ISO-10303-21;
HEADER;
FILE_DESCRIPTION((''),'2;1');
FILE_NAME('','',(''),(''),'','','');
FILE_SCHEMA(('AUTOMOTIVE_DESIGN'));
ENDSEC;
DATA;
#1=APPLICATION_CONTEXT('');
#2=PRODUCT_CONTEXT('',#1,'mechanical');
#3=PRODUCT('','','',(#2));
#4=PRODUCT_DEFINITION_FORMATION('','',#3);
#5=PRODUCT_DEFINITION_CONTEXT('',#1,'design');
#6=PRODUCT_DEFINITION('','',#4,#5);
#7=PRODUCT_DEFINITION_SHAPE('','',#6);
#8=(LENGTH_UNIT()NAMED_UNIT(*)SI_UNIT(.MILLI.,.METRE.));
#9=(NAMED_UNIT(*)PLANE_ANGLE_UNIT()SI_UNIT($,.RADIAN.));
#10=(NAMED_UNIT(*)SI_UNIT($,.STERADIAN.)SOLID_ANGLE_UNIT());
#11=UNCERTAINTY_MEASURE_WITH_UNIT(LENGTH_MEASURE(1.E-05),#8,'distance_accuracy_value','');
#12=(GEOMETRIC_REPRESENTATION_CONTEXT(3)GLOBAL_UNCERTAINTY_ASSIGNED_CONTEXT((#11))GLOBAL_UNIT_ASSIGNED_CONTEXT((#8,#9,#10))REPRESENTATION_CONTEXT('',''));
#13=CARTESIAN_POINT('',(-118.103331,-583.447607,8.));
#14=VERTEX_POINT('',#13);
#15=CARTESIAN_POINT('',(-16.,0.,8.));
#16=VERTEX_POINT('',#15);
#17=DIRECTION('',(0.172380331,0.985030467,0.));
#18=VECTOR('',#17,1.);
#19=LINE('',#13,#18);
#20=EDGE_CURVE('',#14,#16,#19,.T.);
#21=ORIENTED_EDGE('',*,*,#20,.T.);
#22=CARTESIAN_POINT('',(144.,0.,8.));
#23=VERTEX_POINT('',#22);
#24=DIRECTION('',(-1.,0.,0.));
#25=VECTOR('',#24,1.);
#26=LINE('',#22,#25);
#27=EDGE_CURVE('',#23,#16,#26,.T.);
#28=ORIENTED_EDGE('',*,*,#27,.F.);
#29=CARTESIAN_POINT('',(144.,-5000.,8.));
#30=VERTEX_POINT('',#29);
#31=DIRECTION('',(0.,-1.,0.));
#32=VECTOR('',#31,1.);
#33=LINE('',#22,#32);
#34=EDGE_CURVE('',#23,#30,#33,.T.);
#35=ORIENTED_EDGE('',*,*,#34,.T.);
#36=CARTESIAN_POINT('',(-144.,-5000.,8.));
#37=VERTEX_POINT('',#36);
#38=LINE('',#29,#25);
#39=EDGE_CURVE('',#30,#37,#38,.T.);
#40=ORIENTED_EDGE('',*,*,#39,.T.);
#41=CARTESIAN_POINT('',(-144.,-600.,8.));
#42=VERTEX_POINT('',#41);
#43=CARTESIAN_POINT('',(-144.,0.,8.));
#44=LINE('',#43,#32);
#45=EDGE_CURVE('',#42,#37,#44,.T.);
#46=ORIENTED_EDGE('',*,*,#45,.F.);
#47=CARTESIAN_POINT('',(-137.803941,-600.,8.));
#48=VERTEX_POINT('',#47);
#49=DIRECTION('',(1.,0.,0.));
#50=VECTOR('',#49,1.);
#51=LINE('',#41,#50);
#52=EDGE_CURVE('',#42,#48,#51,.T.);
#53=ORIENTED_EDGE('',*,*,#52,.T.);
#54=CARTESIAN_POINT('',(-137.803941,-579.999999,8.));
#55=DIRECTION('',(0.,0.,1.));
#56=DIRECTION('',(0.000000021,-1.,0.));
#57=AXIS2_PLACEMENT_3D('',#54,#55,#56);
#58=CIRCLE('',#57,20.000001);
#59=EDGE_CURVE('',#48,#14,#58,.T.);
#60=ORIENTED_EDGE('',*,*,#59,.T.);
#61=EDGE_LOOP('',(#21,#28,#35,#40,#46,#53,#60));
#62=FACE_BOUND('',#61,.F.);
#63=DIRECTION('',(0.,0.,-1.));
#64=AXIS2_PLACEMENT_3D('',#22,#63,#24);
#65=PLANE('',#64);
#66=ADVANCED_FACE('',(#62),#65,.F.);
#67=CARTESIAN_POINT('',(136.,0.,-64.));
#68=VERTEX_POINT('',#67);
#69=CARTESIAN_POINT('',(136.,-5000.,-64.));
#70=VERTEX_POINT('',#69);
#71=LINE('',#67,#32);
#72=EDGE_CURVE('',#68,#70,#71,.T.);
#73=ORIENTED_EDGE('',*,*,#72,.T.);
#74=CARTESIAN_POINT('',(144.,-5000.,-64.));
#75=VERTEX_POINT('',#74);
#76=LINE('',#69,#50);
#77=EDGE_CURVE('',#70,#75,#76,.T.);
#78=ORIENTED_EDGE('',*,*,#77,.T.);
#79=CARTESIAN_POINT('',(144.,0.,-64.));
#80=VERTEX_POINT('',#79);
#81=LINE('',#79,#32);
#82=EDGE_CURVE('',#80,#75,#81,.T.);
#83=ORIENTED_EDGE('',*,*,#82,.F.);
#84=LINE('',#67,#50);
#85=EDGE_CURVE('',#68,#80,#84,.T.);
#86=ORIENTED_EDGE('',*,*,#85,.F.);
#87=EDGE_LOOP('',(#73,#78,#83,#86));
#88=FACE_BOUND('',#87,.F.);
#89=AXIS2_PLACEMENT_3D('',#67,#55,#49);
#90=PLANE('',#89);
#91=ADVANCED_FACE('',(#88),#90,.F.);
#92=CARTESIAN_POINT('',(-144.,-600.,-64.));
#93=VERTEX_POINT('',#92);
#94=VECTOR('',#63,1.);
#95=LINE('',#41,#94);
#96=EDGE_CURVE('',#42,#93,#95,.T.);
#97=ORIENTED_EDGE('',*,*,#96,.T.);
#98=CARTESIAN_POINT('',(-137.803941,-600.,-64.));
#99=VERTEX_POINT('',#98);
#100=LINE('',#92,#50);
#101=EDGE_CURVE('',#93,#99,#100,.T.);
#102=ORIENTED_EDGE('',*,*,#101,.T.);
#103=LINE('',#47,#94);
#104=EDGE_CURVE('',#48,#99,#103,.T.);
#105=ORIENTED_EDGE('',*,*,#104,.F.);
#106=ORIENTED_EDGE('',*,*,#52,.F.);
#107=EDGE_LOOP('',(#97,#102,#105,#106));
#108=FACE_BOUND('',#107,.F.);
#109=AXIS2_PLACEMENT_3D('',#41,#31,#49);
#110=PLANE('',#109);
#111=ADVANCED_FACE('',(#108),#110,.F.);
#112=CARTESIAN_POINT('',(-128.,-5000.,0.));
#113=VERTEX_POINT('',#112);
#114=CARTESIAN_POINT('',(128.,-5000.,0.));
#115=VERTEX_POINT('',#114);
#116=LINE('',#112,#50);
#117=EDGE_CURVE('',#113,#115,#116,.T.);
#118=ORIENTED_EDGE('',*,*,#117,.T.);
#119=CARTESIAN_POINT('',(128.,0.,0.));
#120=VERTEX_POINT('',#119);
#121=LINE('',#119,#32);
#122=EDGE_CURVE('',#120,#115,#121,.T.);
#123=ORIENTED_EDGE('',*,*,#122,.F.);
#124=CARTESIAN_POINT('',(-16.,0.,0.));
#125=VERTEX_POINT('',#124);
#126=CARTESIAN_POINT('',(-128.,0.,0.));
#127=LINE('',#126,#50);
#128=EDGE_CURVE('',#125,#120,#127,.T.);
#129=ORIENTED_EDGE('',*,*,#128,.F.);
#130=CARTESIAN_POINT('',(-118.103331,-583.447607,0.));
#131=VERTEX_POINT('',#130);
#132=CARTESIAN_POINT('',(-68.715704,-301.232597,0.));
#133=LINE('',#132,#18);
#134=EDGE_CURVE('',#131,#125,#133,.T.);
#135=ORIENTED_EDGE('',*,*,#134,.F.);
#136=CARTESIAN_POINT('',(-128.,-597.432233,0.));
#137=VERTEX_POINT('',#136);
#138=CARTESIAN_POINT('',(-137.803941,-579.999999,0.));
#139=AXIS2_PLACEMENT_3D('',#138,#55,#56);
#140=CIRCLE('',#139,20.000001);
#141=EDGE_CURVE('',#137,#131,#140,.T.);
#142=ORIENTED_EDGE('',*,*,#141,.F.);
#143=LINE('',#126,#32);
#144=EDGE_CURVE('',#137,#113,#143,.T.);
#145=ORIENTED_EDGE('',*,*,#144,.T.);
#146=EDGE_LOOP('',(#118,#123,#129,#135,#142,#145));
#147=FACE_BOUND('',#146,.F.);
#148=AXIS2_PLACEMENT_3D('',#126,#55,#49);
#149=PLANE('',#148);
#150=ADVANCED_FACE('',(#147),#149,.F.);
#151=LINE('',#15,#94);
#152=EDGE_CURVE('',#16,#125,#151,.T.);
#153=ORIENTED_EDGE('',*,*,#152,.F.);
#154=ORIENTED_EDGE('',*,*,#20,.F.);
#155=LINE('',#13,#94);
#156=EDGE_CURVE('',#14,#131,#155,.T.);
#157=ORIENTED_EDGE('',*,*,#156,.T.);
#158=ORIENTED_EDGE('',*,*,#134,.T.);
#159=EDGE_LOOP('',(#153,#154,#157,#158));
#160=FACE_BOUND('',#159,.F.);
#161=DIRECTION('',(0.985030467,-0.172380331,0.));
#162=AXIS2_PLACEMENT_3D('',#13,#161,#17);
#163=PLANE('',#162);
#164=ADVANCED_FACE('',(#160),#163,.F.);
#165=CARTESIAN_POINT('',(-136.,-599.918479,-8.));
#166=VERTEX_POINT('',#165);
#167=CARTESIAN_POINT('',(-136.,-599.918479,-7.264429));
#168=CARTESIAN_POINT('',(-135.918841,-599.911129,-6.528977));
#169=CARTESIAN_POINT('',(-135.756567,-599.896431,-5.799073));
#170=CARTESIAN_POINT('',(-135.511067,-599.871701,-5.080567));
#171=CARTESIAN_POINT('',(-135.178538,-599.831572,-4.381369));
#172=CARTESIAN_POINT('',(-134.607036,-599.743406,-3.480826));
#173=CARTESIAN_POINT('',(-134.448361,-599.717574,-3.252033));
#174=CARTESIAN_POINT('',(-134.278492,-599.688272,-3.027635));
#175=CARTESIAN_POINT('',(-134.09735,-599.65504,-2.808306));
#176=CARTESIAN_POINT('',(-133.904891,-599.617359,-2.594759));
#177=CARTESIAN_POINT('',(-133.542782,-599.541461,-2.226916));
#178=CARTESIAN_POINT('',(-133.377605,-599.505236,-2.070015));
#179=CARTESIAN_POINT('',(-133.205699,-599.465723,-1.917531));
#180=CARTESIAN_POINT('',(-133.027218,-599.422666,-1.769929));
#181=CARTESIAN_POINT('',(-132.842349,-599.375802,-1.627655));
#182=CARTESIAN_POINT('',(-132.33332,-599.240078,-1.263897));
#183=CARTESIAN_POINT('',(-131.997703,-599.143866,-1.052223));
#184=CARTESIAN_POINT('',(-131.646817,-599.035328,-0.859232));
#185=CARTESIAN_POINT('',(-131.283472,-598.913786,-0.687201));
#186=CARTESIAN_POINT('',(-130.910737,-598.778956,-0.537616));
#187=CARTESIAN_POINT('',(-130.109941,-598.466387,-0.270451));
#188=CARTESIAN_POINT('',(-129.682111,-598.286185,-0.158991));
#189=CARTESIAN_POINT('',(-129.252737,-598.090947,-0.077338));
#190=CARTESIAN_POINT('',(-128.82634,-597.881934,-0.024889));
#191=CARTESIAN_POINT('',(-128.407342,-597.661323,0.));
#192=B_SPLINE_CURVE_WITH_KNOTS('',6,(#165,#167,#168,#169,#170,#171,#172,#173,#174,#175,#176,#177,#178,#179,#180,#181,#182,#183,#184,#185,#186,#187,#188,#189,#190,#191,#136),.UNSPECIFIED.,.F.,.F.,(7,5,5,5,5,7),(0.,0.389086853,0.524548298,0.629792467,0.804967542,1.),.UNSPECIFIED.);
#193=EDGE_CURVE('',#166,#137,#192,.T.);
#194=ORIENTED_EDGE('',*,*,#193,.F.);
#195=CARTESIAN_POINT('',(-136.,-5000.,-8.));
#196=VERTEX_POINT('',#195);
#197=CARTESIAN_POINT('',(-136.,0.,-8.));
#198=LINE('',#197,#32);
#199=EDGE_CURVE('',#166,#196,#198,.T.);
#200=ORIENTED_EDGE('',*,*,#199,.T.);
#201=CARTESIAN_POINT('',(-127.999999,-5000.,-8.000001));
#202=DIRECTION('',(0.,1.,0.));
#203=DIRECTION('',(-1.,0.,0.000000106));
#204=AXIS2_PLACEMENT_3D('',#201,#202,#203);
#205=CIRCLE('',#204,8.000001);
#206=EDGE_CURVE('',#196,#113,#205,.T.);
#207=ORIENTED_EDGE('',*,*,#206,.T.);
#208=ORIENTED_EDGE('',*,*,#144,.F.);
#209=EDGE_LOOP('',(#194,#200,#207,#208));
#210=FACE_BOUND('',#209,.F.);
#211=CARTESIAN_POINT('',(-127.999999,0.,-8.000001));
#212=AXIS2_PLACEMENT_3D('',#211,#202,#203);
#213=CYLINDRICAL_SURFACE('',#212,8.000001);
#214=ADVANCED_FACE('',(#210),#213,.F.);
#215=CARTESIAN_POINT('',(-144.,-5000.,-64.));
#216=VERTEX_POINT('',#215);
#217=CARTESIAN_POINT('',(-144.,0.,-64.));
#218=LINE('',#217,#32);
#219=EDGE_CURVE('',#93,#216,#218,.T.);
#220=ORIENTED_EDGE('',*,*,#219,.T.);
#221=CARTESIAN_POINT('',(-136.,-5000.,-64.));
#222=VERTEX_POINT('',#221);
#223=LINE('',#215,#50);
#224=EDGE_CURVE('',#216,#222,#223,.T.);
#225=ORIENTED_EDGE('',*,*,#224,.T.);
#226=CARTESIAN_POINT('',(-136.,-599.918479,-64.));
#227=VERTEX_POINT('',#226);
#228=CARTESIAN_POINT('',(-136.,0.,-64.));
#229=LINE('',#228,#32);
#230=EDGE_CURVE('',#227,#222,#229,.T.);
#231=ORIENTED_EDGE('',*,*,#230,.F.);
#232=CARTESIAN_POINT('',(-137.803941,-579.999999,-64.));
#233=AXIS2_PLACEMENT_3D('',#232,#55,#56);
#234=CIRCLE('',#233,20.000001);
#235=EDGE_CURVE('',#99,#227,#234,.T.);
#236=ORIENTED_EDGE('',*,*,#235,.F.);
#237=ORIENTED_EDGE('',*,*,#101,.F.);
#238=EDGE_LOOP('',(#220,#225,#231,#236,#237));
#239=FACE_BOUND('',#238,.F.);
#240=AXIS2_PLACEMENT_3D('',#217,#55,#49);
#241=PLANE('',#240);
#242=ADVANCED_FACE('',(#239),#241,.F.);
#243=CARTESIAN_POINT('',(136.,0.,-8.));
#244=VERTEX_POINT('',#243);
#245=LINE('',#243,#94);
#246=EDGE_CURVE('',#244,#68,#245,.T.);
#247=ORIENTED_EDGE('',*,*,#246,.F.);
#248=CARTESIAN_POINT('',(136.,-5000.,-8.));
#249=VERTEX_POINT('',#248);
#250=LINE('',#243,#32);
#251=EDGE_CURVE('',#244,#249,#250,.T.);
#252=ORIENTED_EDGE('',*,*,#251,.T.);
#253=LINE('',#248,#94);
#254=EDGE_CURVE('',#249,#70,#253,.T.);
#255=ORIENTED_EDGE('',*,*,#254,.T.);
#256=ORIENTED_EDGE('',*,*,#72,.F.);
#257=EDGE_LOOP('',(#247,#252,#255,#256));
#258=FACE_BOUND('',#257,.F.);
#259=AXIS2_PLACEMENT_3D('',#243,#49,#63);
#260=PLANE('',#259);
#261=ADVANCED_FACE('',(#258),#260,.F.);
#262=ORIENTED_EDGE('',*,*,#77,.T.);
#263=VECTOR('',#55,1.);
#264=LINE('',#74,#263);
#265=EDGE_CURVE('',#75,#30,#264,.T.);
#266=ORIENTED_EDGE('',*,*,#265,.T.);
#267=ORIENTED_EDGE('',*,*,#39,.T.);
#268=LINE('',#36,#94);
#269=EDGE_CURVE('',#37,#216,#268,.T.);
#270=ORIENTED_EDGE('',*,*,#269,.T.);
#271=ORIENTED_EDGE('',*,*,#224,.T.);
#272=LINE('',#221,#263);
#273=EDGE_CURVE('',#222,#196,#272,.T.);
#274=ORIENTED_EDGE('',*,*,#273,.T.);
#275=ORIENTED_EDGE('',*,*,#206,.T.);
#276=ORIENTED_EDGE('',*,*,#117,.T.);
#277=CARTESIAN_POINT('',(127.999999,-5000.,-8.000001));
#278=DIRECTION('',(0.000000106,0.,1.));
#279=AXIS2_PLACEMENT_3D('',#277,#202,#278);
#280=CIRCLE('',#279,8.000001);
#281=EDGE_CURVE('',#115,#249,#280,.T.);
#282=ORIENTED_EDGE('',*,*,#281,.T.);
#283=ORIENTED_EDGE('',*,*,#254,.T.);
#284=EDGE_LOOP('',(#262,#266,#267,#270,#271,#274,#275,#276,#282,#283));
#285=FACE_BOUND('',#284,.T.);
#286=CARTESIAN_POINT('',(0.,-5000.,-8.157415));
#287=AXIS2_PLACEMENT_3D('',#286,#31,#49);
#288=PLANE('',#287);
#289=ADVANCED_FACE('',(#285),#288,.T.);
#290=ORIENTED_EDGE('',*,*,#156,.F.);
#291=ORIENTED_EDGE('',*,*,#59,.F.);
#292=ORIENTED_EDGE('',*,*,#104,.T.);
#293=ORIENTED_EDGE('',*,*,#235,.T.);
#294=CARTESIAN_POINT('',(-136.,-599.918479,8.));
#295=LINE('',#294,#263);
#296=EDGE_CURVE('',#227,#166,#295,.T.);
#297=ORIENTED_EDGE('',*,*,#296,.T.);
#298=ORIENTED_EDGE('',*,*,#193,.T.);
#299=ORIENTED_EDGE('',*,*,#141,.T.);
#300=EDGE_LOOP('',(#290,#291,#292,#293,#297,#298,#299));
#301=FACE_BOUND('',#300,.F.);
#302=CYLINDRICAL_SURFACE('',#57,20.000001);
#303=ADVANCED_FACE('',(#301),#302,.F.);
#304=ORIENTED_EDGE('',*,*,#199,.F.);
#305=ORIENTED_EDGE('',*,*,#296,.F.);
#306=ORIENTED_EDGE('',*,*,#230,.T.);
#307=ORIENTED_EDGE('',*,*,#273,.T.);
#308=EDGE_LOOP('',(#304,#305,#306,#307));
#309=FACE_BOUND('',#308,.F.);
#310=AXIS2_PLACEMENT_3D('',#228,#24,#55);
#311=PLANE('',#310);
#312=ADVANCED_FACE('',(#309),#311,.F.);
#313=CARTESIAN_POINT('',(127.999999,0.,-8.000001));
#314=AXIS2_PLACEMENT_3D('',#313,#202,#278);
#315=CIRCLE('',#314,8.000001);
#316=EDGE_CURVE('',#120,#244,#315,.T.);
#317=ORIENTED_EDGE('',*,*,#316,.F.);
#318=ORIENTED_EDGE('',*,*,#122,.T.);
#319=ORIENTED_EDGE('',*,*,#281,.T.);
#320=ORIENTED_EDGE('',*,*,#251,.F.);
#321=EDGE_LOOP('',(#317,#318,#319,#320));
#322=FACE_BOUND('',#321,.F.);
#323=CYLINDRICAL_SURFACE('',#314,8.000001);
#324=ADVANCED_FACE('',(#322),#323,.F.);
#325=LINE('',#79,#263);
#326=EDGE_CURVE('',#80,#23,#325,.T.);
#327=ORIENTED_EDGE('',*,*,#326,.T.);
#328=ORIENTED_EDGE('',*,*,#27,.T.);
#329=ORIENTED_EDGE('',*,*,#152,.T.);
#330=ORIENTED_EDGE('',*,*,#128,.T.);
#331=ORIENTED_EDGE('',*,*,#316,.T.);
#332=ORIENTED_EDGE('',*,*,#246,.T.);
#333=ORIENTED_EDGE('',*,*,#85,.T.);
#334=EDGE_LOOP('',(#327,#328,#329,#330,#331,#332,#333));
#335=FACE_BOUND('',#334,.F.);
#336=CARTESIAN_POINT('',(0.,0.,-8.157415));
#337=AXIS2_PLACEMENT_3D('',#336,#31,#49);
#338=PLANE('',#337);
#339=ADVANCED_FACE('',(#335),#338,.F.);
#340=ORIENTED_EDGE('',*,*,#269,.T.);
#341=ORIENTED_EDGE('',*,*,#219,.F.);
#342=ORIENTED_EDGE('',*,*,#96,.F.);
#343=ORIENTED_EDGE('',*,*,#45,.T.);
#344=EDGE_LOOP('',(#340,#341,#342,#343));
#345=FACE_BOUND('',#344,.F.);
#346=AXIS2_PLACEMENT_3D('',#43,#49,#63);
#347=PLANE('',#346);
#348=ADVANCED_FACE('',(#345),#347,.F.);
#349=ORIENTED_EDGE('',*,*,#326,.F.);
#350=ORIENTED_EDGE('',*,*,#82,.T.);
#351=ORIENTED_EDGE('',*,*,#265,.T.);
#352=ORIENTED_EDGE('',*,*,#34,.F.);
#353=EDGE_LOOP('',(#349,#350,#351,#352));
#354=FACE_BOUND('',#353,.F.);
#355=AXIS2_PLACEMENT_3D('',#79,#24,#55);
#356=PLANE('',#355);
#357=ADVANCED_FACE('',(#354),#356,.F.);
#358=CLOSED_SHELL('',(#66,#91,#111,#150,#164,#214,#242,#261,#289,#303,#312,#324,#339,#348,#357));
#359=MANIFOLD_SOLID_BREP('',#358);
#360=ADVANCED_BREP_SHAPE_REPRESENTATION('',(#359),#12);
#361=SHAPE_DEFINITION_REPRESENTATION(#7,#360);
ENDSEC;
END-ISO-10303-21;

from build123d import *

# Parameters (mm, degrees)
F1_DEPTH = 5000
F3_DEPTH = 72.001


with BuildPart() as f1:
    # F0 (on Front) → F1 (new body)
    with BuildSketch(Plane.XZ):
        with BuildLine():
            Line((144, 8), (0, 8))
            Line((0, 8), (-144, 8))
            Line((-144, 8), (-144, -64))
            Line((-144, -64), (-136, -64))
            Line((-136, -64), (-136, -8))
            ThreePointArc((-136, -8), (-133.656854, -2.343146), (-128, 0))
            Line((-128, 0), (0, 0))
            Line((0, 0), (128, 0))
            ThreePointArc((128, 0), (133.656854, -2.343146), (136, -8))
            Line((136, -8), (136, -64))
            Line((136, -64), (144, -64))
            Line((144, -64), (144, 8))
        make_face()
    extrude(amount=F1_DEPTH)

    # F2 (on face) → F3 (cut, through all)
    with BuildSketch(Plane.XY.offset(8)):
        with BuildLine():
            Line((-118.103331, -583.447607), (-16, 0))
            Line((-16, 0), (-144, 0))
            Line((-144, 0), (-144, -600))
            Line((-144, -600), (-137.803941, -600))
            ThreePointArc((-137.803941, -600), (-124.93833, -595.312611), (-118.103331, -583.447607))
        make_face()
    extrude(amount=-F3_DEPTH, mode=Mode.SUBTRACT)


solid = f1.part
